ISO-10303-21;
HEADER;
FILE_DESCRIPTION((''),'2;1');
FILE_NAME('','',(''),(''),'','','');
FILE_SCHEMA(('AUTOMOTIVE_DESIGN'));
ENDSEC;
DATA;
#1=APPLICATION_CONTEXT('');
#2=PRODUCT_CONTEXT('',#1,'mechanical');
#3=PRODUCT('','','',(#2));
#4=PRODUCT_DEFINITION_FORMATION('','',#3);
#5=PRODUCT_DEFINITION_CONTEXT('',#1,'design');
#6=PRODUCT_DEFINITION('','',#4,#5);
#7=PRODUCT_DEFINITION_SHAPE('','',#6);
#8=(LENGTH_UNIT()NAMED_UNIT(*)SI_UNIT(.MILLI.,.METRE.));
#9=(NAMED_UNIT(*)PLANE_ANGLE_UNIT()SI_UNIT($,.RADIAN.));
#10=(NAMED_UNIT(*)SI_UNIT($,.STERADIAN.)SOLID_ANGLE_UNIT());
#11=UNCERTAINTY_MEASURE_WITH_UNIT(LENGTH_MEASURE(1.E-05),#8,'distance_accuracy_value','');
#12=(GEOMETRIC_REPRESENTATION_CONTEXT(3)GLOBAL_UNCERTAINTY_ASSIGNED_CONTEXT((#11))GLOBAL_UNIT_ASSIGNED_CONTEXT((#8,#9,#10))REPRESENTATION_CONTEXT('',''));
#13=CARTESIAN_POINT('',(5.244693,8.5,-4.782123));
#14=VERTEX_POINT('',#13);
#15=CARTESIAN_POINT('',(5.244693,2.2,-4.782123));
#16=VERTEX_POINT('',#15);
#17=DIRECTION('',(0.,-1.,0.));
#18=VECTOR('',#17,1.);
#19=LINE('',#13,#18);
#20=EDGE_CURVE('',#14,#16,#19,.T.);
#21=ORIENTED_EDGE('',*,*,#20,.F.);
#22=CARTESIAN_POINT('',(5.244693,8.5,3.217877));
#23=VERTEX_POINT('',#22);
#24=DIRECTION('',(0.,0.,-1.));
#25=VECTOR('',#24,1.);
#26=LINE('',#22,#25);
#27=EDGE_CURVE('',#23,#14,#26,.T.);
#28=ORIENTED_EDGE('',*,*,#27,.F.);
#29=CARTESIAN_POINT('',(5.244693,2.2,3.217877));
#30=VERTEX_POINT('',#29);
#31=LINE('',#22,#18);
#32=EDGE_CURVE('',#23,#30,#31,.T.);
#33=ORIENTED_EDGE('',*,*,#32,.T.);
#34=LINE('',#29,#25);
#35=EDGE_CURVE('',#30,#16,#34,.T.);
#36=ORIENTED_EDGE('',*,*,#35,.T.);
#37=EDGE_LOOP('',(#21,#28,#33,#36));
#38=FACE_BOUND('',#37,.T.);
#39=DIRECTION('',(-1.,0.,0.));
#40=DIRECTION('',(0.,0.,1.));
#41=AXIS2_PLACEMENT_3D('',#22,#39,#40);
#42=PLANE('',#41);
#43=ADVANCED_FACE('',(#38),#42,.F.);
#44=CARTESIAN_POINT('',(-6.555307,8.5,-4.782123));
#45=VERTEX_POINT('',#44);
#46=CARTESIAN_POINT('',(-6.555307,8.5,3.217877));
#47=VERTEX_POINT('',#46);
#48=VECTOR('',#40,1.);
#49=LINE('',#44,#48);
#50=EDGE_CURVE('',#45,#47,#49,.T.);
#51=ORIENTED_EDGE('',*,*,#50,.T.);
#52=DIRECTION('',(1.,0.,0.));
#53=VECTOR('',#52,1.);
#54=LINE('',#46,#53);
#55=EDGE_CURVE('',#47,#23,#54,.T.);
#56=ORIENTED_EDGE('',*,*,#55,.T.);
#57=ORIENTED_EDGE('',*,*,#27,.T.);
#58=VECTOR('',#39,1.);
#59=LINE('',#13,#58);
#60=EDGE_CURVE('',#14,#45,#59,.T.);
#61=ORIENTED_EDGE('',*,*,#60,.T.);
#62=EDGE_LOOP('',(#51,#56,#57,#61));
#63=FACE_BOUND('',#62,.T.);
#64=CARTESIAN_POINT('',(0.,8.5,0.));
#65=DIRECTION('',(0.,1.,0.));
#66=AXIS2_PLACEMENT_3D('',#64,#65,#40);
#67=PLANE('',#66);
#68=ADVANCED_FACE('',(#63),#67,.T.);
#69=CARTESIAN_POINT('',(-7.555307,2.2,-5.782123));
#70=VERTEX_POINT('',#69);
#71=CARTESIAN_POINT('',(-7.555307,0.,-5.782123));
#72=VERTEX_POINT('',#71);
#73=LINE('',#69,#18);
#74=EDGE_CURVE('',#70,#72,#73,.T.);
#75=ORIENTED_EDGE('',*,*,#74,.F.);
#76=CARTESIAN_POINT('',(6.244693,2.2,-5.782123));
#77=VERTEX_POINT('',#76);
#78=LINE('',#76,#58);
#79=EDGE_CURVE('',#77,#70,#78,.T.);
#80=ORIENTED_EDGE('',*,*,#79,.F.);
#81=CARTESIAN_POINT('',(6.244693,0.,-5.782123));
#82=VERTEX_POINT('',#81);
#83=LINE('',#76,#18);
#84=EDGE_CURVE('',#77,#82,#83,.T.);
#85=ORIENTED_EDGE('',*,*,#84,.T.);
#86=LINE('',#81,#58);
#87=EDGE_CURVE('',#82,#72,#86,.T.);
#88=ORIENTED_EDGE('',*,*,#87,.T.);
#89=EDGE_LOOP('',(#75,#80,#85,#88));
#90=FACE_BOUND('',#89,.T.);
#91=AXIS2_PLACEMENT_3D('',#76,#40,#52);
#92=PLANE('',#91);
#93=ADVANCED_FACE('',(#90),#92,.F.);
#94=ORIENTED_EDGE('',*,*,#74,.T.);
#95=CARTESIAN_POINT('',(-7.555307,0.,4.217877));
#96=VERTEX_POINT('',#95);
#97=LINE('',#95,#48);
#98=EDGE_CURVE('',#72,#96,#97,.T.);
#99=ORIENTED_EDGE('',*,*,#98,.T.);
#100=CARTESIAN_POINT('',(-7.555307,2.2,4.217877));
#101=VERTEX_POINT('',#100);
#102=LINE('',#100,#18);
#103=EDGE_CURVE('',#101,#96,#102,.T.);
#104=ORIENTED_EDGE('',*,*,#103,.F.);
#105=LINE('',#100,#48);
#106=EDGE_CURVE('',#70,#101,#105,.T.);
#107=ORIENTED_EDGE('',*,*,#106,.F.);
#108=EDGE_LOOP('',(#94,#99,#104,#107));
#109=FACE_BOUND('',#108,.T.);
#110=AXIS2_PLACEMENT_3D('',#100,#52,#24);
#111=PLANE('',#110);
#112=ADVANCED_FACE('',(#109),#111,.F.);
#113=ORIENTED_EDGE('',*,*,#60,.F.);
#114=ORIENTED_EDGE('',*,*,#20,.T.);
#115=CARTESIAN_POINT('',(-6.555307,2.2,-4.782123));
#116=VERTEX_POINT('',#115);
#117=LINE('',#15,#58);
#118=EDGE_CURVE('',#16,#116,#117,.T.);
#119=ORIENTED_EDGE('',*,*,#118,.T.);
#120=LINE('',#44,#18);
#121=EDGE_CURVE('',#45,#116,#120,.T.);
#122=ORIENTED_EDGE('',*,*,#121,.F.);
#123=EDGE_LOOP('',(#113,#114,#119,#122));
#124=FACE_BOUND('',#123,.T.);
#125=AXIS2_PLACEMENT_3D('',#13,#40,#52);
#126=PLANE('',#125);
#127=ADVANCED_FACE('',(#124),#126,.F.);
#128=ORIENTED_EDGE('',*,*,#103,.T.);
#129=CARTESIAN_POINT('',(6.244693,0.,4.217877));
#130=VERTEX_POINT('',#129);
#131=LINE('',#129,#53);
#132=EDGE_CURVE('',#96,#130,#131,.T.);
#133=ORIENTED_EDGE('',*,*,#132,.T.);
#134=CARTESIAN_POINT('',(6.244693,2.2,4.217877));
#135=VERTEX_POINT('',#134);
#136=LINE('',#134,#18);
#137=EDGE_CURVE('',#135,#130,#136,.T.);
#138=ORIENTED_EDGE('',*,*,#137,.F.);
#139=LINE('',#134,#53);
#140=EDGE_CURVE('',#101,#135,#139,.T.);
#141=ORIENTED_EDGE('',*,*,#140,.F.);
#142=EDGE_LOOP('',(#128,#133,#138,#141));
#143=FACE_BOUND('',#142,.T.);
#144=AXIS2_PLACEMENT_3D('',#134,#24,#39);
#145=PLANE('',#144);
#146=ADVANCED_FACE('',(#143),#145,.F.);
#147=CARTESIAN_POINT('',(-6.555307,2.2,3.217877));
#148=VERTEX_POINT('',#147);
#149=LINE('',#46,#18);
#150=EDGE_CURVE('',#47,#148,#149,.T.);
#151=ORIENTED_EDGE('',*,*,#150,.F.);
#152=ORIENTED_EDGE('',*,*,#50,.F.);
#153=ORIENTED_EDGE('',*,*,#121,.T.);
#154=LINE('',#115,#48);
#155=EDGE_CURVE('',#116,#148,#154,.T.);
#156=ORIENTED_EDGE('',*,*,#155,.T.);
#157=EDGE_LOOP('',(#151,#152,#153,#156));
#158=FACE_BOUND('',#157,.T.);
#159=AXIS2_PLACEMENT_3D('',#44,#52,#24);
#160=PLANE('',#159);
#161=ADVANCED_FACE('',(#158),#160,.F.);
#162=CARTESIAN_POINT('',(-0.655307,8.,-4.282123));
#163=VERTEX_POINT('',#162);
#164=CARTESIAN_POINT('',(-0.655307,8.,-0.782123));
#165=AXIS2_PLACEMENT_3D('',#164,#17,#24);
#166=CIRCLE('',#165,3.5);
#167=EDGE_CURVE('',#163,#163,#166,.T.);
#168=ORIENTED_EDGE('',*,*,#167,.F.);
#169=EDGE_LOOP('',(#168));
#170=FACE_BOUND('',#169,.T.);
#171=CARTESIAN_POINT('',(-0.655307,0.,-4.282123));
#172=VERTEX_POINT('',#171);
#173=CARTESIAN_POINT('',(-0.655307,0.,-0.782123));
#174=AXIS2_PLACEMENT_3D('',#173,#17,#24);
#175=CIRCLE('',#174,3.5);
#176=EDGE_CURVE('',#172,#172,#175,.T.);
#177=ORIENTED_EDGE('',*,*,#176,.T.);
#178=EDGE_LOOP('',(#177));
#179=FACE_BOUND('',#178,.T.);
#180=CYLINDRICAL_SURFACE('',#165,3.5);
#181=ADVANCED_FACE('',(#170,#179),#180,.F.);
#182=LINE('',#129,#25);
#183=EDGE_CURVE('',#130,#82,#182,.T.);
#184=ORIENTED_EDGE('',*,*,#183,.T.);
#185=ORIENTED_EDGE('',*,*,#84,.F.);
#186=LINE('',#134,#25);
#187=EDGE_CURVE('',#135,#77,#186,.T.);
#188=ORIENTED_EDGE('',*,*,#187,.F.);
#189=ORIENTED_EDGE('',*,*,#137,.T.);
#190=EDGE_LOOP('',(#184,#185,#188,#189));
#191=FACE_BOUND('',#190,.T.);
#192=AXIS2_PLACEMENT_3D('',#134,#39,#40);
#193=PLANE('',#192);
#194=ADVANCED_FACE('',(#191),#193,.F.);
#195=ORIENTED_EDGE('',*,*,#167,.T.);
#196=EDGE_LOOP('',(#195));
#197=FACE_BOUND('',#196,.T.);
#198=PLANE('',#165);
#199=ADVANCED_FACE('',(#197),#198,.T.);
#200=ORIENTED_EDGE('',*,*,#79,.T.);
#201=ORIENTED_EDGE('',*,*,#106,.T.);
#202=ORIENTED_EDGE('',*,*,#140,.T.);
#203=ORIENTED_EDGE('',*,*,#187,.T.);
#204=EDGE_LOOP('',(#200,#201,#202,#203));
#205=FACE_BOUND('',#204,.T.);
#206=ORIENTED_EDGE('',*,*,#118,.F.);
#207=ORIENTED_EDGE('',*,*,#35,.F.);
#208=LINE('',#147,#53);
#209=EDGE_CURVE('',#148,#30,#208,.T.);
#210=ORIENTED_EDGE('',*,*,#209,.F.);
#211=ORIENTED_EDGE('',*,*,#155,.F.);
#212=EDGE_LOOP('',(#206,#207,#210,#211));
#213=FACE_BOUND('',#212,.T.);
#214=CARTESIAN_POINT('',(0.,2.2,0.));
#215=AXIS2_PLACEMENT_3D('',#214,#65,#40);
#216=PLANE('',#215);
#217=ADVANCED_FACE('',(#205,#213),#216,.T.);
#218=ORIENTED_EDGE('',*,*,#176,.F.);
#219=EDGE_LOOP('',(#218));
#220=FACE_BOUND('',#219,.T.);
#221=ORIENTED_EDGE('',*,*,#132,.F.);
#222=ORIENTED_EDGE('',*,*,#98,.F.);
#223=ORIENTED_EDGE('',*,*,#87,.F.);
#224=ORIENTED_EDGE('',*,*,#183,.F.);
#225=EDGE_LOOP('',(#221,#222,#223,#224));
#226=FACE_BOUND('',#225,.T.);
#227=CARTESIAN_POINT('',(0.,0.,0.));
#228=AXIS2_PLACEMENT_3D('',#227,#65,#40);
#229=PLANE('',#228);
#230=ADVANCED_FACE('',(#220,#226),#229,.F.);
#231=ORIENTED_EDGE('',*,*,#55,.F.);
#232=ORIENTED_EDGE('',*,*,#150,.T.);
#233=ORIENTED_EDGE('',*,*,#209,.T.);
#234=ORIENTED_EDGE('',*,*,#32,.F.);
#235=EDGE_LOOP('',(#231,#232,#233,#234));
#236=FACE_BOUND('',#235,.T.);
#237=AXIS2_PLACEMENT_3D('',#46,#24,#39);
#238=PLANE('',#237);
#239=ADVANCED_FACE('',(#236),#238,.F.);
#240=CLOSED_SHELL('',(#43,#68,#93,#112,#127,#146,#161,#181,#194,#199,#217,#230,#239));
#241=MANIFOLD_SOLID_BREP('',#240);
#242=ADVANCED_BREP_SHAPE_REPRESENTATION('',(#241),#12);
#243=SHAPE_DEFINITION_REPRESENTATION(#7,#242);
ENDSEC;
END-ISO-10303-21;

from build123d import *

# Parameters (mm, degrees)
CROQUIS2_W              = 13.8
CROQUIS2_H              = 10
SALIENTE_EXTRUIR1_DEPTH = 2.2
CROQUIS3_W              = 11.8
CROQUIS3_H              = 8
SALIENTE_EXTRUIR2_DEPTH = 6.3
CROQUIS4_R              = 3.5
CORTAR_EXTRUIR1_DEPTH   = 8


with BuildPart() as part:
    # Croquis2 → Saliente-Extruir1 (new body)
    with BuildSketch(Plane(origin=(0, 0, 0), x_dir=(1, 0, 0), z_dir=(0, 1, 0))):
        with Locations((-0.655307263, 0.782122905)):
            Rectangle(CROQUIS2_W, CROQUIS2_H)
    extrude(amount=SALIENTE_EXTRUIR1_DEPTH)

    # Croquis3 → Saliente-Extruir2 (add)
    with BuildSketch(Plane(origin=(0, 2.2, 0), x_dir=(1, 0, 0), z_dir=(0, 1, 0))):
        with Locations((-0.655307263, 0.782122905)):
            Rectangle(CROQUIS3_W, CROQUIS3_H)
    extrude(amount=SALIENTE_EXTRUIR2_DEPTH)

    # Croquis4 → Cortar-Extruir1 (cut)
    with BuildSketch(Plane.XZ):
        with Locations((-0.655307263, -0.782122905)):
            Circle(CROQUIS4_R)
    extrude(amount=-CORTAR_EXTRUIR1_DEPTH, mode=Mode.SUBTRACT)


solid = part.part
